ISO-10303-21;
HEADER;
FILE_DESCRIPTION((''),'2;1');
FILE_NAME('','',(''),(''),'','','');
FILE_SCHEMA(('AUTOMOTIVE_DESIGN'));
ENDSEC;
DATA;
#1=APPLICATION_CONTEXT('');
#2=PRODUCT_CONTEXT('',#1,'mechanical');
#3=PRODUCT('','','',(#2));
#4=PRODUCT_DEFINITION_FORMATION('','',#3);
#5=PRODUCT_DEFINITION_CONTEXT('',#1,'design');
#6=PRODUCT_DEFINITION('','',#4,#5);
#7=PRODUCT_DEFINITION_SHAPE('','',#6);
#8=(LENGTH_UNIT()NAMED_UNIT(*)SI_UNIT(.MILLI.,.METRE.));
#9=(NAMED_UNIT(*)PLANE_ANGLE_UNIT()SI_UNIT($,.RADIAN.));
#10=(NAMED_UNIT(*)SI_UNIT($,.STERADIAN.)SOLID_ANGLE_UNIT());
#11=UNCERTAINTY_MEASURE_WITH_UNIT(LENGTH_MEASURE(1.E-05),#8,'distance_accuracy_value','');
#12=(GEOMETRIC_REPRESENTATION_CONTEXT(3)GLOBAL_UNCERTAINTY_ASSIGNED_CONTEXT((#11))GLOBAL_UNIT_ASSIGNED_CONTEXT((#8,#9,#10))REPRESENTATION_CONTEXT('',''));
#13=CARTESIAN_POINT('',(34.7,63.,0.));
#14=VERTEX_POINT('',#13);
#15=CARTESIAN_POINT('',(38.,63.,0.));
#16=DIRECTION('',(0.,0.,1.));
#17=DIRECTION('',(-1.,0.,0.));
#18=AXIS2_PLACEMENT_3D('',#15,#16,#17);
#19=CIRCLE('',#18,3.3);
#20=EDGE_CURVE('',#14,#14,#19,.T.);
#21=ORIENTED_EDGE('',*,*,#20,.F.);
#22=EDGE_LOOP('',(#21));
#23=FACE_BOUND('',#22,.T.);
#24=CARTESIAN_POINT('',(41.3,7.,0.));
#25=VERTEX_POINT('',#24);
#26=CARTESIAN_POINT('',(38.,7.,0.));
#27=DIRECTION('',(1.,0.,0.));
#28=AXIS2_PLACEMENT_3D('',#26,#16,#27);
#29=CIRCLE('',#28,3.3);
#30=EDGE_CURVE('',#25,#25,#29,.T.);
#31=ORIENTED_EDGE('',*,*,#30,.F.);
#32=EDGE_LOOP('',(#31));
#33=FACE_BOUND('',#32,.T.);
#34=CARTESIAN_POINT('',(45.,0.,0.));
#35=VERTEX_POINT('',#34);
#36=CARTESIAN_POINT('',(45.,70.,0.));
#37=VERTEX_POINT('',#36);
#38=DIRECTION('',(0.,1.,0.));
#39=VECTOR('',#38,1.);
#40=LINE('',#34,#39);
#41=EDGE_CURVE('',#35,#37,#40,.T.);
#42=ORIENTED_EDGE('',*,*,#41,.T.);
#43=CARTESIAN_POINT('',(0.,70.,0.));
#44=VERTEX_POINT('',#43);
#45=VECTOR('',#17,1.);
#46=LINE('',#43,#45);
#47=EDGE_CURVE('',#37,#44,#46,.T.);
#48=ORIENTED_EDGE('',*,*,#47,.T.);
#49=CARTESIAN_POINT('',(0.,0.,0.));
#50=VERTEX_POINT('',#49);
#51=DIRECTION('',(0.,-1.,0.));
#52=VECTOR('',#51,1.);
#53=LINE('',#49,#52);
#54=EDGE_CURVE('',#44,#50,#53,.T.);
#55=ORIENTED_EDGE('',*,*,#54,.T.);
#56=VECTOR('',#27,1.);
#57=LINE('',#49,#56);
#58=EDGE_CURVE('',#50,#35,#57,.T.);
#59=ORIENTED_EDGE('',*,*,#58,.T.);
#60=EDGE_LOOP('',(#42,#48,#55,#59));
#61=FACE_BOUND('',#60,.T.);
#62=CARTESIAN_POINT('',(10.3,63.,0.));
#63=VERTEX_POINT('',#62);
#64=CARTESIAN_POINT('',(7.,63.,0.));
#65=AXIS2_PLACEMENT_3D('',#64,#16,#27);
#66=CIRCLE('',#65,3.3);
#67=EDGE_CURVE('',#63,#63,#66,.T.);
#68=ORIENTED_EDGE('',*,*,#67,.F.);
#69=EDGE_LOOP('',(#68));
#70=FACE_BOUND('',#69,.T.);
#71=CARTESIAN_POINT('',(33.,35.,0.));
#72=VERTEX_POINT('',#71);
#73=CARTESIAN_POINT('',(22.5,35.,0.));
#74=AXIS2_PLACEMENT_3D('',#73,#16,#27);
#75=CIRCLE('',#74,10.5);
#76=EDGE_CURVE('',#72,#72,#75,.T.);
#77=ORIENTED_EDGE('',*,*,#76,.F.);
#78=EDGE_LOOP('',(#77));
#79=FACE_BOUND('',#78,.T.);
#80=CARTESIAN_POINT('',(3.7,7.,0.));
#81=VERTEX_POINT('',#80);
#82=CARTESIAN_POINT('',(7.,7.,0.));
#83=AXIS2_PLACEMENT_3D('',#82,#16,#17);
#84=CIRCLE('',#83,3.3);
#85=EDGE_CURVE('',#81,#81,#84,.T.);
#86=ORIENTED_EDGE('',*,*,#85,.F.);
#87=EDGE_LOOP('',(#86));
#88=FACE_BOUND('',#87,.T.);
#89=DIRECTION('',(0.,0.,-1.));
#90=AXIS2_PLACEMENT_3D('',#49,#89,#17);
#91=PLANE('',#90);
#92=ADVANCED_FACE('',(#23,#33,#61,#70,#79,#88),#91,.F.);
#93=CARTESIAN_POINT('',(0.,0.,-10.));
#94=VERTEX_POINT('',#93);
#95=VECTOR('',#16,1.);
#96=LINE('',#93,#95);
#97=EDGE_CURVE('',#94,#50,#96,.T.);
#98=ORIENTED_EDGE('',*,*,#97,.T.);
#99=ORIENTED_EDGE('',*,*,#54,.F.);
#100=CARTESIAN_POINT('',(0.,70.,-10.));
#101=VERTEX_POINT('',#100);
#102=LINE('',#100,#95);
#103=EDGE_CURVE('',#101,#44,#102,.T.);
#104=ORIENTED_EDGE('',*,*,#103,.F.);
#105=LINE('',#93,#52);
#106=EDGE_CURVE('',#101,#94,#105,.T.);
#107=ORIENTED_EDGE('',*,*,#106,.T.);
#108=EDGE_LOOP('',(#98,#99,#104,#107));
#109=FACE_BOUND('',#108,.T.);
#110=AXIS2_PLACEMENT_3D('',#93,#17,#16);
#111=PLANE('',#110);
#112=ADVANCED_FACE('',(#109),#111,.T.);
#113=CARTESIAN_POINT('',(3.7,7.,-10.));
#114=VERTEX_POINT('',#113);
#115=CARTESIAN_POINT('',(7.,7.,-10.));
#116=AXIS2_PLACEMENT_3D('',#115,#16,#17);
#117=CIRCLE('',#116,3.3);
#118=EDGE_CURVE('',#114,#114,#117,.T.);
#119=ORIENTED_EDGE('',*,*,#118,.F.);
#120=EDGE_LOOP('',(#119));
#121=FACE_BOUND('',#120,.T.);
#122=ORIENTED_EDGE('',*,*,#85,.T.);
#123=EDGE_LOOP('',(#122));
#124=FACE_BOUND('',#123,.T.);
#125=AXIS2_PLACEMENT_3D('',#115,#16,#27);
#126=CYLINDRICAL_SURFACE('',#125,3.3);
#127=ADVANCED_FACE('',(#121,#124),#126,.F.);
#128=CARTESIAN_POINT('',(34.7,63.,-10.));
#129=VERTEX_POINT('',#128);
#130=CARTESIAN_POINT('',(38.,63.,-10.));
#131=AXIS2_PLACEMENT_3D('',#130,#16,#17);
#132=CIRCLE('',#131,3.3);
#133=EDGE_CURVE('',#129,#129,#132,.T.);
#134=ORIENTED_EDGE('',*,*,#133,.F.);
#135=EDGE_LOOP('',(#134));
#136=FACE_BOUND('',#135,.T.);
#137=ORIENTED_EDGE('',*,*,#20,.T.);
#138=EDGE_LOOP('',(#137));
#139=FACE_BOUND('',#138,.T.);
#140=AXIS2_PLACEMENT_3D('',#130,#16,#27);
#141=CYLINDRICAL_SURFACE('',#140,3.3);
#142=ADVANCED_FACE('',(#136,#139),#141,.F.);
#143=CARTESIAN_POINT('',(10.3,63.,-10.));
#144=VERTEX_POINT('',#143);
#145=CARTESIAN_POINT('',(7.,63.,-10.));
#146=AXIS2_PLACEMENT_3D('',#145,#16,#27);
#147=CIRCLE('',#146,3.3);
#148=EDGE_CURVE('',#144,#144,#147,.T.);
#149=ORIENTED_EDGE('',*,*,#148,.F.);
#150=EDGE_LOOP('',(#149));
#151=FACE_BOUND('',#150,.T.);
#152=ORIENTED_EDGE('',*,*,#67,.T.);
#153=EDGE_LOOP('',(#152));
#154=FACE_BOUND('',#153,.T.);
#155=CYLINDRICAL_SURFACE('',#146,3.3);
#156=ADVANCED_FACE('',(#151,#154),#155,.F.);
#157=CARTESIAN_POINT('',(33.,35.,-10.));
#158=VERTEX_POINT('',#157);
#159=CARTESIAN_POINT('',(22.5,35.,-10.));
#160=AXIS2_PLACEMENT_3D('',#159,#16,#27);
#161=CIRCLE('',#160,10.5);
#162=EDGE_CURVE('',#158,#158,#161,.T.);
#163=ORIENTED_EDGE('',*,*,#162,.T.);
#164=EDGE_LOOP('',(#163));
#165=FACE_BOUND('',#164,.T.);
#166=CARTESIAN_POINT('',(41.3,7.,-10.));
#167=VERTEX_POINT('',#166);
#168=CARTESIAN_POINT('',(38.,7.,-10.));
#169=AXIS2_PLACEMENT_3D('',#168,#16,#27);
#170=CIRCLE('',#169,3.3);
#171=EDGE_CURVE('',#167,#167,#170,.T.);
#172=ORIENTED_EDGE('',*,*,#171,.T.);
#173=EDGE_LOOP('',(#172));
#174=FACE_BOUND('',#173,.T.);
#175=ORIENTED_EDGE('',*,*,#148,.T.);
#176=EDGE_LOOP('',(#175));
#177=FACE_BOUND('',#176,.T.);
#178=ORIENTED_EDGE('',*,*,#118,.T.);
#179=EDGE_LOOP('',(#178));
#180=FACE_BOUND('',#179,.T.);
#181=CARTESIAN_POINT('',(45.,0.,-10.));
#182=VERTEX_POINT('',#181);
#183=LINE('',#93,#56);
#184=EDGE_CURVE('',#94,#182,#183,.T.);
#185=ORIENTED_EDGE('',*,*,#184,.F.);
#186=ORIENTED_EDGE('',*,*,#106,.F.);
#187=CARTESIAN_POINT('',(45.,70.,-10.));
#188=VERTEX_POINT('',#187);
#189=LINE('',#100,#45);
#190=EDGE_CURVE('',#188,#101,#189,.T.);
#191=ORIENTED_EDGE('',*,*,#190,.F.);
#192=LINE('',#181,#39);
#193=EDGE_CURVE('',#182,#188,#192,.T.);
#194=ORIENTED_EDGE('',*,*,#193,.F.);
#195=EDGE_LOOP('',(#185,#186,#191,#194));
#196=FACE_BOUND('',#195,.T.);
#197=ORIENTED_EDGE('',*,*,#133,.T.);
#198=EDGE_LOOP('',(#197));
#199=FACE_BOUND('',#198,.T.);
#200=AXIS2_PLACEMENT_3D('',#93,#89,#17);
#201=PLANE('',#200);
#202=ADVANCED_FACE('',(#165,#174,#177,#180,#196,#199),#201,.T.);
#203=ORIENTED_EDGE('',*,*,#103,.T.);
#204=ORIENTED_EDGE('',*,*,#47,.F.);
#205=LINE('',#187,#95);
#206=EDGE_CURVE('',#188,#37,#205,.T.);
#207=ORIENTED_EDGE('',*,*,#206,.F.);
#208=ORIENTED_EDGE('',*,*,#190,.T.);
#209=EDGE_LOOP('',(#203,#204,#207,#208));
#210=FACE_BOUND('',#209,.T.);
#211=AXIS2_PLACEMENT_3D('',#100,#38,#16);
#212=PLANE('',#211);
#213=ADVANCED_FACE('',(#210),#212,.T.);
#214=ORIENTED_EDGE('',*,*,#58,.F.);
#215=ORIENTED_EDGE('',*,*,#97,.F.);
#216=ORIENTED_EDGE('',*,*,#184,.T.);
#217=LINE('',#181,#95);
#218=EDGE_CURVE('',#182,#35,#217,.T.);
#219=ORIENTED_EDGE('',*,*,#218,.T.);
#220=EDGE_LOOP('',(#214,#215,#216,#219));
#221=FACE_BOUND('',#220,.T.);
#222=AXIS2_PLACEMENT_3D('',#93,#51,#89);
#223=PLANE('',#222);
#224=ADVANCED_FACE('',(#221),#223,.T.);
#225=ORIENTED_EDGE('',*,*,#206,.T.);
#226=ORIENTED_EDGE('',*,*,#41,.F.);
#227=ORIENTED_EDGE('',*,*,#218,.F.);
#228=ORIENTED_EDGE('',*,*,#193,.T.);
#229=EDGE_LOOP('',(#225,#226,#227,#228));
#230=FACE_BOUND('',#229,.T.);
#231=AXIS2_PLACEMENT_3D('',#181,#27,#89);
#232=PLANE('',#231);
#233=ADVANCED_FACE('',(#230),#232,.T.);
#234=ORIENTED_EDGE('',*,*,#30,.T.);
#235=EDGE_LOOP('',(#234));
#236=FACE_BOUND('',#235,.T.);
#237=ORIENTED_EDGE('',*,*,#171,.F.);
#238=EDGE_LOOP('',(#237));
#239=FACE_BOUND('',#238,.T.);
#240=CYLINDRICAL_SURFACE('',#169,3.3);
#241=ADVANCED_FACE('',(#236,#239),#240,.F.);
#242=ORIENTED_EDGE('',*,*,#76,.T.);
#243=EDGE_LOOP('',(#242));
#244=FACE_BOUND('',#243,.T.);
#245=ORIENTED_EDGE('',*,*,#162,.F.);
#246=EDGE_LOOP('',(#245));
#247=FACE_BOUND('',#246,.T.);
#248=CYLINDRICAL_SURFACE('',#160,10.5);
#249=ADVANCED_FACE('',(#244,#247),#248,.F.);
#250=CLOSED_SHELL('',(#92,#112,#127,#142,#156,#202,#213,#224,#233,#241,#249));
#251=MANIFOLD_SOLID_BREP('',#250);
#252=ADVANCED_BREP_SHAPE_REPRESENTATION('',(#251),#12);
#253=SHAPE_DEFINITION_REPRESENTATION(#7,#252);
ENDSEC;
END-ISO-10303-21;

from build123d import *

# Parameters (mm, degrees)
SCHIZZO1_W                   = 45
SCHIZZO1_H                   = 70
ESTRUSIONE_ESTRUSIONE1_DEPTH = 10
SCHIZZO2_R                   = 10.5
SCHIZZO2_R_2                 = 3.3
TAGLIO_ESTRUSIONE1_DEPTH     = 10


with BuildPart() as part:
    # Schizzo1 → Estrusione-Estrusione1 (new body)
    with BuildSketch(Plane.XY):
        with Locations((22.5, 35)):
            Rectangle(SCHIZZO1_W, SCHIZZO1_H)
    extrude(amount=-ESTRUSIONE_ESTRUSIONE1_DEPTH)

    # Schizzo2 → Taglio-Estrusione1 (cut)
    with BuildSketch(Plane.XY):
        with Locations((22.5, 35)):
            Circle(SCHIZZO2_R)
        with Locations((38, 7)):
            Circle(SCHIZZO2_R_2)
        with Locations(Location((38, 63, 0), (0, 0, 180))):
            Circle(SCHIZZO2_R_2)
        with Locations(Location((7, 7, 0), (0, 0, 180))):
            Circle(SCHIZZO2_R_2)
        with Locations((7, 63)):
            Circle(SCHIZZO2_R_2)
    extrude(amount=-TAGLIO_ESTRUSIONE1_DEPTH, mode=Mode.SUBTRACT)


solid = part.part
